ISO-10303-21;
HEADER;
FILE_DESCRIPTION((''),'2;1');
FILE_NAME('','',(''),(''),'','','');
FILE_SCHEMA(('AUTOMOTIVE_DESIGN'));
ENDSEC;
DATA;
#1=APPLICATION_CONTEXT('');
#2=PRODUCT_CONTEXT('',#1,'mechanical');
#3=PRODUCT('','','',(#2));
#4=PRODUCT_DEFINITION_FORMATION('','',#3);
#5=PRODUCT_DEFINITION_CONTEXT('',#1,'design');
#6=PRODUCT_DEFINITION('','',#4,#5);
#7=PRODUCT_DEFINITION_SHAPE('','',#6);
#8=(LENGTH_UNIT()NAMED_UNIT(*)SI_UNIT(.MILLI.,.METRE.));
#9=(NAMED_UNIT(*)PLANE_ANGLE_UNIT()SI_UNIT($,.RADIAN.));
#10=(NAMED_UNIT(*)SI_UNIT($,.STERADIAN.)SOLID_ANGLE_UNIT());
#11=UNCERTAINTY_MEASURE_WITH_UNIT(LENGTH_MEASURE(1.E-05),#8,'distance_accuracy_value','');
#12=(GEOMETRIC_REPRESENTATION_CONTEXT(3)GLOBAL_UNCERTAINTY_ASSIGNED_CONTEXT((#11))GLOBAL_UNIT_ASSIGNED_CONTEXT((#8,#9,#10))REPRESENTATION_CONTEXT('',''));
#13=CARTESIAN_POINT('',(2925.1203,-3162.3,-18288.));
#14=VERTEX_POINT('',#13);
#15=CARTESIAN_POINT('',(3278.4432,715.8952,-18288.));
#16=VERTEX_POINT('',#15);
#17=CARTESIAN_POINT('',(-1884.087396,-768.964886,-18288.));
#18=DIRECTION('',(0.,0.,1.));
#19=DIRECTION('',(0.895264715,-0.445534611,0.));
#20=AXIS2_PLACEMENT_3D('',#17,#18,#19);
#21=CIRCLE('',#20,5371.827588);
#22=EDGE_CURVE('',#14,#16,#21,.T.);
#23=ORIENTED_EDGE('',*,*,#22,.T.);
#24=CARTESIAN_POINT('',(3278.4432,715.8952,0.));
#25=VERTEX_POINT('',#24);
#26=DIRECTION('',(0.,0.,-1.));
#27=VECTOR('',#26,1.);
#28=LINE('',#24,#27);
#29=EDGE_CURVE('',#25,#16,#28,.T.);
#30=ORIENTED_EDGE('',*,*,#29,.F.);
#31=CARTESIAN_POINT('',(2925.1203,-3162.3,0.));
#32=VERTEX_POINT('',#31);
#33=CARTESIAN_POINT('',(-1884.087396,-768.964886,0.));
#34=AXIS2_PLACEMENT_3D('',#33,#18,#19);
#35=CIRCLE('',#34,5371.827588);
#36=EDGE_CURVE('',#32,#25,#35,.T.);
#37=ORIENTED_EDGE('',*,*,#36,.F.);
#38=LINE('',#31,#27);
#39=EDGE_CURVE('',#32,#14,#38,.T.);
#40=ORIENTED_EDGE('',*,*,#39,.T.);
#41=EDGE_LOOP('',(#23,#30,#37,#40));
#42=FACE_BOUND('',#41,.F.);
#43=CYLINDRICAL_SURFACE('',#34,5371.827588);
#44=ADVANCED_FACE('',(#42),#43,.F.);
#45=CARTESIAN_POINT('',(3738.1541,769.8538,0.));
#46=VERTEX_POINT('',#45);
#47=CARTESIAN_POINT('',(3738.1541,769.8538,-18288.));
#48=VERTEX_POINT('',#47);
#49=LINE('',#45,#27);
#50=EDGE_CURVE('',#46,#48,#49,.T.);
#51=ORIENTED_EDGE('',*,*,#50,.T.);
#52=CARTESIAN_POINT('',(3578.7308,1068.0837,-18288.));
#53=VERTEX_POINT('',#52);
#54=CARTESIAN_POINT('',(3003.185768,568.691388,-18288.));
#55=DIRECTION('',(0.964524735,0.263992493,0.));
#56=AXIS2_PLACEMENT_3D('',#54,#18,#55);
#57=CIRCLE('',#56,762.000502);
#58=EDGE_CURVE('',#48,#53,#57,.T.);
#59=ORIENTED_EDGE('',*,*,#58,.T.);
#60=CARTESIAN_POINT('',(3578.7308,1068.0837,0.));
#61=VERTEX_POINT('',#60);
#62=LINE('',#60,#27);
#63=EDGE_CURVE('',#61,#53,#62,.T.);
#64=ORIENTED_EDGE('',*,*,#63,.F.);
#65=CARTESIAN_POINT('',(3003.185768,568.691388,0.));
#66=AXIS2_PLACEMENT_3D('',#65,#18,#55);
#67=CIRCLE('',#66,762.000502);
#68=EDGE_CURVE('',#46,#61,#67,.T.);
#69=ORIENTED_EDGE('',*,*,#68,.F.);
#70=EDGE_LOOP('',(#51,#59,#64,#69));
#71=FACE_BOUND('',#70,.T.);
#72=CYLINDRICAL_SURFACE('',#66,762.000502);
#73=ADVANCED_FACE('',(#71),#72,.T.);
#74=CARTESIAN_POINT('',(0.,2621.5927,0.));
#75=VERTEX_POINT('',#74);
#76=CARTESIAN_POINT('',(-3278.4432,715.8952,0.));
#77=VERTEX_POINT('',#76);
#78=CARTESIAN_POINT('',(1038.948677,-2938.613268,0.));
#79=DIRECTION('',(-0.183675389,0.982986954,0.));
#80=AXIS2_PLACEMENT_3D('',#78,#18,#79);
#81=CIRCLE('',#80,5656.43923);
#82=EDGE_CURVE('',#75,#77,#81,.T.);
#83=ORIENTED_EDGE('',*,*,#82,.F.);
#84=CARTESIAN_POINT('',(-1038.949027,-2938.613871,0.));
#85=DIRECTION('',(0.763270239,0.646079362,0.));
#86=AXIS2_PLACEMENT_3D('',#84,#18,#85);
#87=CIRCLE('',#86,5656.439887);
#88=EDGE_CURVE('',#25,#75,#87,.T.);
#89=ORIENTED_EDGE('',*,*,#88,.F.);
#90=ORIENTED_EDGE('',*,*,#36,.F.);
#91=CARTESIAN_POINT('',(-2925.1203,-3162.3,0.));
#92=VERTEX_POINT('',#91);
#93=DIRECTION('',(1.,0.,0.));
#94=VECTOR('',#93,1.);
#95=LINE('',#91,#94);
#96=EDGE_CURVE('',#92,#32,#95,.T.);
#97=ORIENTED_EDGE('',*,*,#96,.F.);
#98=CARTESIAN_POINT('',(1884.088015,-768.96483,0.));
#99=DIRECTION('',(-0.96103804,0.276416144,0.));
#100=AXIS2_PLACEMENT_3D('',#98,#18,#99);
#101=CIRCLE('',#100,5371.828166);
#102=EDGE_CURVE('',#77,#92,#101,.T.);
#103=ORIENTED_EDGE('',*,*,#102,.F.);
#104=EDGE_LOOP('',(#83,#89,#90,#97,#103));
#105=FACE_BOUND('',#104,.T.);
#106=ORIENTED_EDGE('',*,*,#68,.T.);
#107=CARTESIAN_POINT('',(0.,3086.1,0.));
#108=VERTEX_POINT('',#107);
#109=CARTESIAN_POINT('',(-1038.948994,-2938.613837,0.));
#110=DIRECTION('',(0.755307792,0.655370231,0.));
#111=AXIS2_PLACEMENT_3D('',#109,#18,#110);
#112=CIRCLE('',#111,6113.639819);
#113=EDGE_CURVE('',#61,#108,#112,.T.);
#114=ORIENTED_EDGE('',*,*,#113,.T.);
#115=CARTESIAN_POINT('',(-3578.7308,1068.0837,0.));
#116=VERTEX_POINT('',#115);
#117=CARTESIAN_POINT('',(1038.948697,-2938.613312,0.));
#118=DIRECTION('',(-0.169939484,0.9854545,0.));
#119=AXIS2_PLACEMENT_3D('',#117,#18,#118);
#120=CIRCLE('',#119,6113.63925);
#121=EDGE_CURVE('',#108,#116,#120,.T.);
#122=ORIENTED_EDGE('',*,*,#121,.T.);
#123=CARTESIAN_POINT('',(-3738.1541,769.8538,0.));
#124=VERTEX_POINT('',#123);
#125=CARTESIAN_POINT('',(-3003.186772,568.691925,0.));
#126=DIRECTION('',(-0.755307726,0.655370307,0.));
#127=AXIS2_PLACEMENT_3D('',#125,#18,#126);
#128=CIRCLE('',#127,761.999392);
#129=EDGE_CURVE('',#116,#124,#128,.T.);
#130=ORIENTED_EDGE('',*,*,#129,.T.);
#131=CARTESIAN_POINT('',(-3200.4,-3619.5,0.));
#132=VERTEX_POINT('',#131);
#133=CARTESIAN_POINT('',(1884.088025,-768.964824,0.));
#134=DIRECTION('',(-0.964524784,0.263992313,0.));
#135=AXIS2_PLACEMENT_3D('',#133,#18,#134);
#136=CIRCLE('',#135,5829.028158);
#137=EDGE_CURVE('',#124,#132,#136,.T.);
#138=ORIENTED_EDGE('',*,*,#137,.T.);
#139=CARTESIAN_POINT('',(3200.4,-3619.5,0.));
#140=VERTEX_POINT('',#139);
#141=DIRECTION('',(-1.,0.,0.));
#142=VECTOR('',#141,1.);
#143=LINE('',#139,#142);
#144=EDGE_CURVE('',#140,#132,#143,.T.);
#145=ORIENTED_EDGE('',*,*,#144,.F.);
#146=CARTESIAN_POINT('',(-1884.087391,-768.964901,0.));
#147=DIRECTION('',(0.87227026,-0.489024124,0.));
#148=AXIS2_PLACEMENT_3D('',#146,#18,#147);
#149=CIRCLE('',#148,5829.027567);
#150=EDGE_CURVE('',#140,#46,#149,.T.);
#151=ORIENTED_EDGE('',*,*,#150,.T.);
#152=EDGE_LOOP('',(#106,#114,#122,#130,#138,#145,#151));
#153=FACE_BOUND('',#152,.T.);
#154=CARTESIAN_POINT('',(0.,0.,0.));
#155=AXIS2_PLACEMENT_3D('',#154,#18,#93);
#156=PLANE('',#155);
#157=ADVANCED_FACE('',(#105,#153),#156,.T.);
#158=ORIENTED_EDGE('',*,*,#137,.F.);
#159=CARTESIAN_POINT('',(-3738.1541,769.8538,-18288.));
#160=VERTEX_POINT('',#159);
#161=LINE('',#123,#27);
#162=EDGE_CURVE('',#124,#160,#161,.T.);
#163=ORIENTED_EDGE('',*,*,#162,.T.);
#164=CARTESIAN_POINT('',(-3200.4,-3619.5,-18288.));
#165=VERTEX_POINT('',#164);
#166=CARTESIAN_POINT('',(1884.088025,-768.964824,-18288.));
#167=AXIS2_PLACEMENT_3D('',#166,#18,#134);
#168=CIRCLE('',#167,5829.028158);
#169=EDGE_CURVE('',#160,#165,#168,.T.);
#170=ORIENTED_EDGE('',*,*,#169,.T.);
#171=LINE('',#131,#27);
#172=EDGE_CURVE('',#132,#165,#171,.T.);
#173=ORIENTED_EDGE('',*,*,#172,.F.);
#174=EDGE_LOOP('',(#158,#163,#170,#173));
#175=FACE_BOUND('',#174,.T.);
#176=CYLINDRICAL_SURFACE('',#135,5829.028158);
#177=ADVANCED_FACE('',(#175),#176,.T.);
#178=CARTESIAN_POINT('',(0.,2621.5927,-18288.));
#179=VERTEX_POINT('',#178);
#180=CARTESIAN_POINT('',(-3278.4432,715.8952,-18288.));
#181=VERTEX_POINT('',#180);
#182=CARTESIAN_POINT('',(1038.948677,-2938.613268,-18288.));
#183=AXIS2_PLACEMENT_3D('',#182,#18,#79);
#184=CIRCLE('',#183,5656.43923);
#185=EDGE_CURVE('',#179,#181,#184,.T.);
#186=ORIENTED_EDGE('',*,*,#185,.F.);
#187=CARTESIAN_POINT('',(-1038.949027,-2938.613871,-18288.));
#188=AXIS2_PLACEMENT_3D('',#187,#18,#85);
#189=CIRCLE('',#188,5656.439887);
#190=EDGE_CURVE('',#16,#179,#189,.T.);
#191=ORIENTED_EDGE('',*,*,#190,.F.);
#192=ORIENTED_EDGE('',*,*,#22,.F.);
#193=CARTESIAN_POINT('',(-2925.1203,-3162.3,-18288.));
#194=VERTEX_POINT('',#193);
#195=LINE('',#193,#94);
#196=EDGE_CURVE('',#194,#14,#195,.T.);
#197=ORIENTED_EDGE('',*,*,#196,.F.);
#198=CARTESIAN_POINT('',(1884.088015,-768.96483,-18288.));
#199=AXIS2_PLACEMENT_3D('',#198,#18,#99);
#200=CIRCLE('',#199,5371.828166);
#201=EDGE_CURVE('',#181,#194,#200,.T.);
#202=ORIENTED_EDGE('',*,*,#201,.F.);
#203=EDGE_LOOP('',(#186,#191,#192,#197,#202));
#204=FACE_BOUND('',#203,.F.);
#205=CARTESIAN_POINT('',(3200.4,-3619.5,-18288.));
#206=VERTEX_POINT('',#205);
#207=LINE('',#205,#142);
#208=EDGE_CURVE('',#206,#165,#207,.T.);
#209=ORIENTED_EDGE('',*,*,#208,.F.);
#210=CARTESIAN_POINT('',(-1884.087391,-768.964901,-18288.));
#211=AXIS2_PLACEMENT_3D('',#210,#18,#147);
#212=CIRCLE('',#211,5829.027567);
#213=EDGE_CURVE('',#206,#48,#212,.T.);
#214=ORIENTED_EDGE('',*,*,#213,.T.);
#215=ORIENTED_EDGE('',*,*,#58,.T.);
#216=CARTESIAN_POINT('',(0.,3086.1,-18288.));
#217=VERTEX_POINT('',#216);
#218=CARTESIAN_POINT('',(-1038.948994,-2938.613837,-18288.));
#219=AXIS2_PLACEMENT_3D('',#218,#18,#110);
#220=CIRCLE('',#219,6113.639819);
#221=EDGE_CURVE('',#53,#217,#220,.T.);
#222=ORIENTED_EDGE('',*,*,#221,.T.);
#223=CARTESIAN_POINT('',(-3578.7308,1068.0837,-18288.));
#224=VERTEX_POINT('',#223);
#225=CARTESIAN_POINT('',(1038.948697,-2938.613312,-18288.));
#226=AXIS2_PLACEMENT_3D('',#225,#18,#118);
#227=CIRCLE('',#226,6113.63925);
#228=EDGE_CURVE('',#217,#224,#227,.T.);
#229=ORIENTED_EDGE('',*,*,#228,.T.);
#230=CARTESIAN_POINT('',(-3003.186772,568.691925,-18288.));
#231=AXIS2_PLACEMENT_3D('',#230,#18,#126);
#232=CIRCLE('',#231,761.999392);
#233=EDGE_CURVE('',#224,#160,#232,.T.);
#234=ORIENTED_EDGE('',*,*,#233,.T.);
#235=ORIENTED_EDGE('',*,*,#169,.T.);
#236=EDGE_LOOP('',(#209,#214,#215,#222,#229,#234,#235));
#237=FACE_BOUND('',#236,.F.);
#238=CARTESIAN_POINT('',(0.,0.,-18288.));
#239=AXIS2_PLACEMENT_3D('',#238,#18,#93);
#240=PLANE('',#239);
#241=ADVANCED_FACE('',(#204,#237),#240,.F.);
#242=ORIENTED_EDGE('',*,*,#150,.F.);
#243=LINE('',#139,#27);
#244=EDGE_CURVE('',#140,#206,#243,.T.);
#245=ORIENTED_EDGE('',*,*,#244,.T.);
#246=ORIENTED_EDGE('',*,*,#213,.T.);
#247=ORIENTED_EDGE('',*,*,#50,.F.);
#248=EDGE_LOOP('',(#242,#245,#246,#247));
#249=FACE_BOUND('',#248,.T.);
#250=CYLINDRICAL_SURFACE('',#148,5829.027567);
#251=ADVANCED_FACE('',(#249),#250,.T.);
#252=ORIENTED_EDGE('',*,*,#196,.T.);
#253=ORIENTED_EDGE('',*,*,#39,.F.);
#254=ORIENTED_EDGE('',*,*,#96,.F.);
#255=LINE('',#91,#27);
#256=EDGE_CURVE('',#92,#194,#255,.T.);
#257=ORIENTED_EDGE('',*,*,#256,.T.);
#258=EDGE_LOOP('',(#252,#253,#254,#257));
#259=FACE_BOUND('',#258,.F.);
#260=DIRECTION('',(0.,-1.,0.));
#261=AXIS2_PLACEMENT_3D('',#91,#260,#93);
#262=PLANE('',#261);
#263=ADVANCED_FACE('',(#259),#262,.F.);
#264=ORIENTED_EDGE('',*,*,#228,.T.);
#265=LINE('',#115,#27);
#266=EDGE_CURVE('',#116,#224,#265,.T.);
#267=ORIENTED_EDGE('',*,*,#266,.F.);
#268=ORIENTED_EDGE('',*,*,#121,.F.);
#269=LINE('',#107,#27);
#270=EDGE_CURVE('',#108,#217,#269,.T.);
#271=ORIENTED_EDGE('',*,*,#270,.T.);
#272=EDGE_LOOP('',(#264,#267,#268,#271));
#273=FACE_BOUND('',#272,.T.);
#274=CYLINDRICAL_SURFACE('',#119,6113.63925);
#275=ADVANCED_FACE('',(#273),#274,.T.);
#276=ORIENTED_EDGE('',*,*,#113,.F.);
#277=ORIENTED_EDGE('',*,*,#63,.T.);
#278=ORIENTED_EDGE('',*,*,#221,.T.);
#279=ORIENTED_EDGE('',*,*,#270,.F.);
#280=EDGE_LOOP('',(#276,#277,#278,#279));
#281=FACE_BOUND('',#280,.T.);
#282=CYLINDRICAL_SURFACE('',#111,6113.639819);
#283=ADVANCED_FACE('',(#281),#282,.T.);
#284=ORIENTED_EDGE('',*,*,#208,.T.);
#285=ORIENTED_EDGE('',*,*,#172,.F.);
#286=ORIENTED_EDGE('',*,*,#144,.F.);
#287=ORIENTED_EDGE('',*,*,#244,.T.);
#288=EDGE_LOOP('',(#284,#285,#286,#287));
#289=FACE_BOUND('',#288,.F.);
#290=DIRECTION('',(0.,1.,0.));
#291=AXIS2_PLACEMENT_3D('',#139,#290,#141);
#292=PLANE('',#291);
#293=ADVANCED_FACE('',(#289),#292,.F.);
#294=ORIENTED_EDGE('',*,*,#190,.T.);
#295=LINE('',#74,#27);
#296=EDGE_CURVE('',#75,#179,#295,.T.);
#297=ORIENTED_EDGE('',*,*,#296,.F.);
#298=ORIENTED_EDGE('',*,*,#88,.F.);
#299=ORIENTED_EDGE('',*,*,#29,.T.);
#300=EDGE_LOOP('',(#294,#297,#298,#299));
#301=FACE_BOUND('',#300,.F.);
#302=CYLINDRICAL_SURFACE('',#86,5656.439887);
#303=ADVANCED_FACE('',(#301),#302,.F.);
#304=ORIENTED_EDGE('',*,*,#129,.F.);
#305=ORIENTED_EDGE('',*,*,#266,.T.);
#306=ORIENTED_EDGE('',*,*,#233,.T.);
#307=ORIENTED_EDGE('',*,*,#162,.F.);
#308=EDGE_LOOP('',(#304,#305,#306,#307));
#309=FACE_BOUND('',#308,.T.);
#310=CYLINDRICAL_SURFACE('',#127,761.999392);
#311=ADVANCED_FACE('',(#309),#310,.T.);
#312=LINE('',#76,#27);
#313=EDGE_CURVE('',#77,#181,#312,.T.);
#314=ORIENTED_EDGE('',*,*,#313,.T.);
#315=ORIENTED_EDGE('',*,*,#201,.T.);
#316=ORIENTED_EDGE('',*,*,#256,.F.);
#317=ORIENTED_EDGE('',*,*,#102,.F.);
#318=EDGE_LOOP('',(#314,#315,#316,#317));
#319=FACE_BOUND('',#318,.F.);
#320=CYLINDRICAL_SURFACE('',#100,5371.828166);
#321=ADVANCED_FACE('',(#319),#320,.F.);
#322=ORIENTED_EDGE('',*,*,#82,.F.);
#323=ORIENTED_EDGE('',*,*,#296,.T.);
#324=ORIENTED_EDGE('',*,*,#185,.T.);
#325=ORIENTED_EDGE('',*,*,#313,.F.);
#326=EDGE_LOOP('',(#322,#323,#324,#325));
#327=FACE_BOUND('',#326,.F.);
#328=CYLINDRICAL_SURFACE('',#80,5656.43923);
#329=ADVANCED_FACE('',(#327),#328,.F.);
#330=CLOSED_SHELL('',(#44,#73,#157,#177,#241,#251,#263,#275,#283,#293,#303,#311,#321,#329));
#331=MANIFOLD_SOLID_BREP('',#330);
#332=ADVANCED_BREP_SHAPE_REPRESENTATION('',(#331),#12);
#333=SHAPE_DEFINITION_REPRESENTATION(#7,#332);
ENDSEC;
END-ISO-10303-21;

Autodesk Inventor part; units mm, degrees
ref_plane "YZ Plane" through (0, 0, 0) normal (1, 0, 0) x (0, 1, 0)
ref_plane "XZ Plane" through (0, 0, 0) normal (0, 1, 0) x (-1, 0, 0)
ref_plane "XY Plane" through (0, 0, 0) normal (0, 0, 1) x (1, 0, 0)
sketch "Sketch3" plane through (0, 0, 0) normal (0, 0, 1) x (1, 0, 0)
  line L0 (3200.4, -3619.5) -> (-3200.4, -3619.5)
  line L1 (0, -3619.5) -> (0, 3086.1) construction
  arc A0 (-3738.1541, 769.8538) -> (-3200.4, -3619.5) centre (1884.0877, -768.9648) ccw
  arc A1 (0, 3086.1) -> (-3578.7308, 1068.0837) centre (1038.9488, -2938.6136) ccw
  arc A2 (-3578.7308, 1068.0837) -> (-3738.1541, 769.8538) centre (-3003.1863, 568.6916) ccw
  arc A3 (3200.4, -3619.5) -> (3738.1541, 769.8538) centre (-1884.0877, -768.9648) ccw
  arc A4 (3578.7308, 1068.0837) -> (0, 3086.1) centre (-1038.9488, -2938.6136) ccw
  arc A5 (3738.1541, 769.8538) -> (3578.7308, 1068.0837) centre (3003.1863, 568.6916) ccw
  arc A6 (-3278.4432, 715.8952) -> (-2925.1203, -3162.3) centre (1884.0877, -768.9648) ccw
  line L2 (-2925.1203, -3162.3) -> (2925.1203, -3162.3)
  arc A7 (2925.1203, -3162.3) -> (3278.4432, 715.8952) centre (-1884.0877, -768.9648) ccw
  arc A8 (3278.4432, 715.8952) -> (0, 2621.5927) centre (-1038.9488, -2938.6136) ccw
  arc A9 (0, 2621.5927) -> (-3278.4432, 715.8952) centre (1038.9488, -2938.6136) ccw
  dimension "d3" = 6400.8
  dimension "d4" = 6705.6
  dimension "d5" = 762
  dimension "d6" = 457.2
extrude "Extrusion1" add sketch "Sketch3" against normal blind 18288
properties material "Steel, Mild"
